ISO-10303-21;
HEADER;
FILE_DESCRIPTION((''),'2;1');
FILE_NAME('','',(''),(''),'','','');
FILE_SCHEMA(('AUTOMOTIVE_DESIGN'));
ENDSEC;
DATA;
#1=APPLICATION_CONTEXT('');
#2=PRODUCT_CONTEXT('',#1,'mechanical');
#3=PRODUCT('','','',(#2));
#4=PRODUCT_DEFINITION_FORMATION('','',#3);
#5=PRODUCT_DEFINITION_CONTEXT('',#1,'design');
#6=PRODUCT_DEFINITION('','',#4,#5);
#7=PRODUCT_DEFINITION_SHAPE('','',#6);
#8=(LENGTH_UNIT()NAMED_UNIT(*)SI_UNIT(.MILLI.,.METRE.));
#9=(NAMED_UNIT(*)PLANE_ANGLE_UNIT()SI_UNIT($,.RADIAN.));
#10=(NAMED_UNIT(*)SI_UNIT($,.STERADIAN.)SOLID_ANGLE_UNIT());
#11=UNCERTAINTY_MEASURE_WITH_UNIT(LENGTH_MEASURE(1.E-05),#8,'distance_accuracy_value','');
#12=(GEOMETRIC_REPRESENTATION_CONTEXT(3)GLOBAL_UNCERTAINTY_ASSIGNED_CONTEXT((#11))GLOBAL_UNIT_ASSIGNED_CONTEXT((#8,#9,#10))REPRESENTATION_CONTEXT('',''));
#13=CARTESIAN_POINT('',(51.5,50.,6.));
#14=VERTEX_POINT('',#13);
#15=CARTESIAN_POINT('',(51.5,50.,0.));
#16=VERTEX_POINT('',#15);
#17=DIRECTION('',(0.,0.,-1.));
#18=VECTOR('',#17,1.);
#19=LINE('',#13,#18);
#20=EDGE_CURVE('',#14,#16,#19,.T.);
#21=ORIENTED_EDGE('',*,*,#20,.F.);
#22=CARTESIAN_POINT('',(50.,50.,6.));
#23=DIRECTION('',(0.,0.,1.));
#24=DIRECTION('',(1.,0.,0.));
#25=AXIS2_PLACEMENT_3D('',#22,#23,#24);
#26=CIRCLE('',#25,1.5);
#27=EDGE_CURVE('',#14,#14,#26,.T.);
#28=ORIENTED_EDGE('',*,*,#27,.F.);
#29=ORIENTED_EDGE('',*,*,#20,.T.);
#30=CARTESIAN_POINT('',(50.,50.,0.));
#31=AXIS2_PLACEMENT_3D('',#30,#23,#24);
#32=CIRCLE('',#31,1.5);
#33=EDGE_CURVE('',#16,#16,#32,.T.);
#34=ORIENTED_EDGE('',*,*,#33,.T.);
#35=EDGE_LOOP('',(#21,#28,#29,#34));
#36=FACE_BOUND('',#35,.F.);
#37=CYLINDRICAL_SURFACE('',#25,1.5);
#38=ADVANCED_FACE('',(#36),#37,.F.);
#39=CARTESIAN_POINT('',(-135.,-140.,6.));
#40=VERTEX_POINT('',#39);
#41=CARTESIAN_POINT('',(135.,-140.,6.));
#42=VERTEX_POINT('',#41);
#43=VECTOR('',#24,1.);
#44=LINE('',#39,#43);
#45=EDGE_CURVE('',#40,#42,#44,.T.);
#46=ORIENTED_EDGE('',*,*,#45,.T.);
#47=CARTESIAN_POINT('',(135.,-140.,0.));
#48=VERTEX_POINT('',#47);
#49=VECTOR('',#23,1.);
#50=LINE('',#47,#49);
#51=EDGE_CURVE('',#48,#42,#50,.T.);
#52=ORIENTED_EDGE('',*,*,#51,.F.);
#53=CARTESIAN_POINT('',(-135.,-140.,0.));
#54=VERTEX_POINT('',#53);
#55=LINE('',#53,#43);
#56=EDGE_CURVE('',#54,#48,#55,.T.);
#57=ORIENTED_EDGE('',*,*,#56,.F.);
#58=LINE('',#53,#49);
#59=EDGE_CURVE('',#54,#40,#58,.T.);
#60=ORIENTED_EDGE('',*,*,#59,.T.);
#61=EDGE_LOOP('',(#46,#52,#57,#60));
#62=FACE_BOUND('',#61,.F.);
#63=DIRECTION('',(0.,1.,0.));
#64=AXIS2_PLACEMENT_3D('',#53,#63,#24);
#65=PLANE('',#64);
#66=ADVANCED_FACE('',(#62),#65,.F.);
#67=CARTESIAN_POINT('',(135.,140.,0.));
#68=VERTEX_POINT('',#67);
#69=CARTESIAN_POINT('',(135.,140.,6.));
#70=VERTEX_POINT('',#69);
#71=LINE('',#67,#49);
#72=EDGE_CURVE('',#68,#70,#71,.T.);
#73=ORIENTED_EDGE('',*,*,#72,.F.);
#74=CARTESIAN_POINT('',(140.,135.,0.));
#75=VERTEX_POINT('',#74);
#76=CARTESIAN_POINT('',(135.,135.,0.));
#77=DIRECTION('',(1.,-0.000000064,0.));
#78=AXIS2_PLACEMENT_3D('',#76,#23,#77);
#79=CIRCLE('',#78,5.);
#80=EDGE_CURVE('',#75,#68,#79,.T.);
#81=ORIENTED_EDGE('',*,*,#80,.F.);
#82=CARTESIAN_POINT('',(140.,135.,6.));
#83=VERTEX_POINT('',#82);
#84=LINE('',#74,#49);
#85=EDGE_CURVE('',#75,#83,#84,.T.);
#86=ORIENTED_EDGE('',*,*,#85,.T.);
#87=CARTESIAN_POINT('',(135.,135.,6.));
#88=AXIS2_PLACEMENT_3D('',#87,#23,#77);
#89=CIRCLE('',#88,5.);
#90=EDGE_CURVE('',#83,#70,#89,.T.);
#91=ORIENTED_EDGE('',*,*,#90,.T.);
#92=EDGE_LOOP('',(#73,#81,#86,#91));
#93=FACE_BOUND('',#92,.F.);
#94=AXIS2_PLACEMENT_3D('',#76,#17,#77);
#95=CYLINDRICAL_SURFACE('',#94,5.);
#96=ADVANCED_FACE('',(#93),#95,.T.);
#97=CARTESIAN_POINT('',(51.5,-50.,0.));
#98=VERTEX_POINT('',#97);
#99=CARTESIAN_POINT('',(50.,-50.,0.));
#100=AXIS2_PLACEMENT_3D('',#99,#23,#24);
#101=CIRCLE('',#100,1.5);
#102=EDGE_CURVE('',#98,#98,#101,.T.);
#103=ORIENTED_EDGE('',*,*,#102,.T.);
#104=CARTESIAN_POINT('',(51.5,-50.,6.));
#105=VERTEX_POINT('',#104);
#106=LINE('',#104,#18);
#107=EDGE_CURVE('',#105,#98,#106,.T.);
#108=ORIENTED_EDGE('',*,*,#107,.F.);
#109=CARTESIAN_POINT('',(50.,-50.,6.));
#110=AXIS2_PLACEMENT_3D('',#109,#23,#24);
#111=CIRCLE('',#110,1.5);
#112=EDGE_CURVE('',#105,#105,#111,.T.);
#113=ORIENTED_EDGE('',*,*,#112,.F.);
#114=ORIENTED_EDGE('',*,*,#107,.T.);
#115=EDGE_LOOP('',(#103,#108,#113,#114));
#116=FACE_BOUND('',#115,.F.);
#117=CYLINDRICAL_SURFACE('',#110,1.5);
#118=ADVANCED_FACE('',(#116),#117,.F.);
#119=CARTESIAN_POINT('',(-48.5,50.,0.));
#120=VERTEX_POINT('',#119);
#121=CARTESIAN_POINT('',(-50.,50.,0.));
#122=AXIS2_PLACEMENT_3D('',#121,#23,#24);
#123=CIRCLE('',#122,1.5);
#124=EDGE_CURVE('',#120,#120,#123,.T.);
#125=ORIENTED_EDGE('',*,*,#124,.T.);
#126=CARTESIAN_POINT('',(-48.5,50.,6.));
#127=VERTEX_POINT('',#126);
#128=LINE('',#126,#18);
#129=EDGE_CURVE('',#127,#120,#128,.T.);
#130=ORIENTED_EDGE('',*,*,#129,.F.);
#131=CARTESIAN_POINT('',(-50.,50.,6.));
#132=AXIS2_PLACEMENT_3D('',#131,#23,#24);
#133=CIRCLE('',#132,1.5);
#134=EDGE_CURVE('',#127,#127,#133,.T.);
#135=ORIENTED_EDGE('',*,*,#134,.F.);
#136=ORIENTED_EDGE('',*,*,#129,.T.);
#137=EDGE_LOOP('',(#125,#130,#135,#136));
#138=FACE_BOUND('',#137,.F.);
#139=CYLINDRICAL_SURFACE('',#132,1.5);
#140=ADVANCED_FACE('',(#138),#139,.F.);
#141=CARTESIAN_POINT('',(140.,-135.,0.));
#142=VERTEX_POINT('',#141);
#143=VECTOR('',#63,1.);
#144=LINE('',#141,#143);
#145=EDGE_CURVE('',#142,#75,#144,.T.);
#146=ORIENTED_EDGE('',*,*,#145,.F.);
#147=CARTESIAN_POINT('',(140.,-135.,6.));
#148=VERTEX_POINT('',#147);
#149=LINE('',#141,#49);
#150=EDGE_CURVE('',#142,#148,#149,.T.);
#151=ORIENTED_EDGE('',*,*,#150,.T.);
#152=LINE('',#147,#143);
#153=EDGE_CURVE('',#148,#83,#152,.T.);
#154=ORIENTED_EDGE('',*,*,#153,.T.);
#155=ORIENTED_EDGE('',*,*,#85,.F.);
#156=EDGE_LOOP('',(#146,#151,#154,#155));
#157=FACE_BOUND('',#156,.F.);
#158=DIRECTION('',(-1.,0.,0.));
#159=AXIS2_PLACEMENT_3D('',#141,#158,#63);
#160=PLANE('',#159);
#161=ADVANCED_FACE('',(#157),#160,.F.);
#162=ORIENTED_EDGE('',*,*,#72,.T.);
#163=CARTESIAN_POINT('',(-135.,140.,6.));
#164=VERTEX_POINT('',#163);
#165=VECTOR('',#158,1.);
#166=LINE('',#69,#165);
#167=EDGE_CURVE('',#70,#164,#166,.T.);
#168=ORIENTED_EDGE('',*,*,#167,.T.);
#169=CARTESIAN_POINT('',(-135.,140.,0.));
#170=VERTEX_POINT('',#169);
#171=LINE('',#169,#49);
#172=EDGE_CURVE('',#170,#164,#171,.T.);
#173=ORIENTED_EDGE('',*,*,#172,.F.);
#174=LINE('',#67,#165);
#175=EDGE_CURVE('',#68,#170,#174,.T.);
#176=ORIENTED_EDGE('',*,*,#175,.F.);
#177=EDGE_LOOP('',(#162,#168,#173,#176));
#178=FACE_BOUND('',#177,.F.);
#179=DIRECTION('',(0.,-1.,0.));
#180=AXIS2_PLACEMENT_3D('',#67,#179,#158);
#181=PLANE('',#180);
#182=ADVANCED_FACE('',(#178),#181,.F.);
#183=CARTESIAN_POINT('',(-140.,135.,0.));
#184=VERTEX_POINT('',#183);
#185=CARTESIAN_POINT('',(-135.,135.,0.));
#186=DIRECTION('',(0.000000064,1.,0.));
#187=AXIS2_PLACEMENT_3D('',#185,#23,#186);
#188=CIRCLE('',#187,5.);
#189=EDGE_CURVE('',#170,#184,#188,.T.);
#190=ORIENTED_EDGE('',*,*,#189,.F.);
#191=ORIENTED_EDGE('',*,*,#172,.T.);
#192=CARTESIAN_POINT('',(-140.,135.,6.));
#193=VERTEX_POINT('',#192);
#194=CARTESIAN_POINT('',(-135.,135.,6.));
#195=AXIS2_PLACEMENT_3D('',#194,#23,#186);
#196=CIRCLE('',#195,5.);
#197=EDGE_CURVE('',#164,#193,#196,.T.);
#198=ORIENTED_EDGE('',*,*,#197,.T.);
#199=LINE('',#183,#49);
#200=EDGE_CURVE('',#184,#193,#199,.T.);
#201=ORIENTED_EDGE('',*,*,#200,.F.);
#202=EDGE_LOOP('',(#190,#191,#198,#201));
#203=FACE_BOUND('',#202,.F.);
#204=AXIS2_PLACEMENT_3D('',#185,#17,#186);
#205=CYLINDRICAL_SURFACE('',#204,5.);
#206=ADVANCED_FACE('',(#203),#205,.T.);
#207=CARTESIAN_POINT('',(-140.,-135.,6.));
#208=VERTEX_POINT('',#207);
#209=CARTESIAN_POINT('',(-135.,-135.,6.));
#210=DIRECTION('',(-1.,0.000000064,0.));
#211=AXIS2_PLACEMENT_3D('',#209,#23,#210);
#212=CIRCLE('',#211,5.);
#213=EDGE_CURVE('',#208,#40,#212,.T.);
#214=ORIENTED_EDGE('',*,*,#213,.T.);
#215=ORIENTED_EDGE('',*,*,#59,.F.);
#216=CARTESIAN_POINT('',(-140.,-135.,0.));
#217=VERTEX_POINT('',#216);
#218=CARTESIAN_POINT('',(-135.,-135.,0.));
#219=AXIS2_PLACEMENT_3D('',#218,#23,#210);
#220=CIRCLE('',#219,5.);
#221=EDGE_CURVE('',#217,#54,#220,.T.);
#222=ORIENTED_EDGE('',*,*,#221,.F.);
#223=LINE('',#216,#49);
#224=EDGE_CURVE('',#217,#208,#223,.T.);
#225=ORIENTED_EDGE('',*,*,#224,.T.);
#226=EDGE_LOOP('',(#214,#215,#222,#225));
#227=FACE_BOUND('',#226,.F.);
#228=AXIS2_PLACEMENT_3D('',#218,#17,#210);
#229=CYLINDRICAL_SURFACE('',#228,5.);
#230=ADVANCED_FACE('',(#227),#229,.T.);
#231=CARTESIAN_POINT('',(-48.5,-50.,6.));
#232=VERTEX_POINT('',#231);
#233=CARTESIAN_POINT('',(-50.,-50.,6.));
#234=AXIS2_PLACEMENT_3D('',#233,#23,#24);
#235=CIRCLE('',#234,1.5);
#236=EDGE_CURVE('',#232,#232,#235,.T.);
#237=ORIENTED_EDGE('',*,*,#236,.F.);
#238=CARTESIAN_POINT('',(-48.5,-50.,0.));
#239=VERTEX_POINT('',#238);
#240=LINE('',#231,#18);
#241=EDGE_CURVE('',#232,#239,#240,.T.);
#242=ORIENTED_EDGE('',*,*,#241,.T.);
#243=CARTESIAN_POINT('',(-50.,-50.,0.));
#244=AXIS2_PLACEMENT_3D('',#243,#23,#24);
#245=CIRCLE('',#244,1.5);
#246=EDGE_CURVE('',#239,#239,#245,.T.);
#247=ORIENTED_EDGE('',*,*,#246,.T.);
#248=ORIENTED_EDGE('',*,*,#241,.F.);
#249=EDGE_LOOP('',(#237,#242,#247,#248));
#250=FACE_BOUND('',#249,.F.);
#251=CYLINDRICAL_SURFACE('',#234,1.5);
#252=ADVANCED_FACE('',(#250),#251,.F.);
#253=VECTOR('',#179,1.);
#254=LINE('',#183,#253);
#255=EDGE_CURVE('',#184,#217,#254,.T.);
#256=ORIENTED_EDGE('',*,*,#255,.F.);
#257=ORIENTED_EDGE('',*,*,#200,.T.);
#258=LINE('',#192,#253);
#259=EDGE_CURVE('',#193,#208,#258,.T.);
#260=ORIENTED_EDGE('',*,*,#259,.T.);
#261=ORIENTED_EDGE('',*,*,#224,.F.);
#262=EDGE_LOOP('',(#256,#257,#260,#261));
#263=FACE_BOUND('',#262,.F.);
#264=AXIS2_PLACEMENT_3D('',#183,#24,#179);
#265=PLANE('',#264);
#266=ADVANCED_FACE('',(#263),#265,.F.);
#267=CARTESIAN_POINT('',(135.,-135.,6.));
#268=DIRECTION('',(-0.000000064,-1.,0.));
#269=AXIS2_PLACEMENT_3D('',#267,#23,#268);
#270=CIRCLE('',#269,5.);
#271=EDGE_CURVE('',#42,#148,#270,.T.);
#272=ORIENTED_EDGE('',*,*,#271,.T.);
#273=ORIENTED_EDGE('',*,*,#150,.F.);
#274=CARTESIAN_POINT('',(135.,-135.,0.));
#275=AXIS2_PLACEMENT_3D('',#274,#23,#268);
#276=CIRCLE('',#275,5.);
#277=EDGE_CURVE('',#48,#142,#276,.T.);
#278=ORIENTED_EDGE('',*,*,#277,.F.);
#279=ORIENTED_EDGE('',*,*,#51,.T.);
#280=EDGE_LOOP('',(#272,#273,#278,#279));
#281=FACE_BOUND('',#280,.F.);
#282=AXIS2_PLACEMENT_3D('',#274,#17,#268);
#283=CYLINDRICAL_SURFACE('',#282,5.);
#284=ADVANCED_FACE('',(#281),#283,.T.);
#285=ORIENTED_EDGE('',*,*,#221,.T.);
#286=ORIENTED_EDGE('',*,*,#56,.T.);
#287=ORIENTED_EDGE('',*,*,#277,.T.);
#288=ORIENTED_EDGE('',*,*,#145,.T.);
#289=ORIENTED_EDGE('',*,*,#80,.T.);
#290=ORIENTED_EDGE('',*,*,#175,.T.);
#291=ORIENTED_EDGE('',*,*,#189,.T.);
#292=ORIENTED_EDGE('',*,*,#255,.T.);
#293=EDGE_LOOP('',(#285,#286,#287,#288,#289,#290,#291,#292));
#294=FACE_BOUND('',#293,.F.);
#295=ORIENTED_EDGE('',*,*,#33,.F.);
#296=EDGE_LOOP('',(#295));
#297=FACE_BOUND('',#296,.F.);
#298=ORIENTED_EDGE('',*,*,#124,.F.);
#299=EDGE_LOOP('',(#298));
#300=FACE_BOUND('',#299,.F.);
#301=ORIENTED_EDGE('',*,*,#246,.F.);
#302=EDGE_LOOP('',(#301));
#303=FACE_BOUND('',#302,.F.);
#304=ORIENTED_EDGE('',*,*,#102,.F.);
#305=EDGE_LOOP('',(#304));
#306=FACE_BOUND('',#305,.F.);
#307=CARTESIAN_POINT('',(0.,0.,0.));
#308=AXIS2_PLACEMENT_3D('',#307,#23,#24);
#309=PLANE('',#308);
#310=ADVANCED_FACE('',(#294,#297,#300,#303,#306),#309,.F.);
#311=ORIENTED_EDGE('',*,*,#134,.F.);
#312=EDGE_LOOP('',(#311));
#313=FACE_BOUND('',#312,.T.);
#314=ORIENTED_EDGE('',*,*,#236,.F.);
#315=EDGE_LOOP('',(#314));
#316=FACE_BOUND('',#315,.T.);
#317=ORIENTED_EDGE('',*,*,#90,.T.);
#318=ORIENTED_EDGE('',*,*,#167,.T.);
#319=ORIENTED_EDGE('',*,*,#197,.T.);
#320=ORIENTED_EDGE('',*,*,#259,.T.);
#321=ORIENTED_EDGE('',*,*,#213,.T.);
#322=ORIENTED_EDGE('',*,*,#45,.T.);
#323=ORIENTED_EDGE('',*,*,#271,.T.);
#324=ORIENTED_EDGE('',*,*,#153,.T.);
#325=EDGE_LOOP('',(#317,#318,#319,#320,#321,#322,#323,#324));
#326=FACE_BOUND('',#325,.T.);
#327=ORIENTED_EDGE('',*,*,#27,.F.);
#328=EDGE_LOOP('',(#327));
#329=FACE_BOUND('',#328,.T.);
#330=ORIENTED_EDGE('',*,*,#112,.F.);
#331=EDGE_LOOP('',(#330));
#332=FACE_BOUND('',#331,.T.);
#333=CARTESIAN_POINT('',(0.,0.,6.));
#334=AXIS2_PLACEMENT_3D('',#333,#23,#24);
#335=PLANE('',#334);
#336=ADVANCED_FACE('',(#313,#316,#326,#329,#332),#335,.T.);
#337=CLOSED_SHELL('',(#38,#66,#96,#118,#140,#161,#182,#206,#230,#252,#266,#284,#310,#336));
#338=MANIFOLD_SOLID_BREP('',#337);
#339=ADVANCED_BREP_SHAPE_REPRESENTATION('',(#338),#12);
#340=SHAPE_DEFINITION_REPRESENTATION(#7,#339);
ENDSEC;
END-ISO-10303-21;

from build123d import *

# Parameters (mm, degrees)
F1_DEPTH = 6
F2_R     = 1.5
F3_DEPTH = 6


with BuildPart() as f1:
    # F0 (on Top) → F1 (new body)
    with BuildSketch(Plane.XY):
        with BuildLine():
            Line((-135, -140), (135, -140))
            ThreePointArc((135, -140), (138.535534, -138.535534), (140, -135))
            Line((140, -135), (140, 135))
            ThreePointArc((140, 135), (138.535534, 138.535534), (135, 140))
            Line((135, 140), (-135, 140))
            ThreePointArc((-135, 140), (-138.535534, 138.535534), (-140, 135))
            Line((-140, 135), (-140, -135))
            ThreePointArc((-140, -135), (-138.535534, -138.535534), (-135, -140))
        make_face()
    extrude(amount=F1_DEPTH)

    # F2 (on face) → F3 (cut, through all)
    with BuildSketch(Plane.XY.offset(6)):
        with Locations((-50, 50)):
            Circle(F2_R)
        with Locations((50, 50)):
            Circle(F2_R)
        with Locations((50, -50)):
            Circle(F2_R)
        with Locations((-50, -50)):
            Circle(F2_R)
    extrude(amount=-F3_DEPTH, mode=Mode.SUBTRACT)


solid = f1.part
